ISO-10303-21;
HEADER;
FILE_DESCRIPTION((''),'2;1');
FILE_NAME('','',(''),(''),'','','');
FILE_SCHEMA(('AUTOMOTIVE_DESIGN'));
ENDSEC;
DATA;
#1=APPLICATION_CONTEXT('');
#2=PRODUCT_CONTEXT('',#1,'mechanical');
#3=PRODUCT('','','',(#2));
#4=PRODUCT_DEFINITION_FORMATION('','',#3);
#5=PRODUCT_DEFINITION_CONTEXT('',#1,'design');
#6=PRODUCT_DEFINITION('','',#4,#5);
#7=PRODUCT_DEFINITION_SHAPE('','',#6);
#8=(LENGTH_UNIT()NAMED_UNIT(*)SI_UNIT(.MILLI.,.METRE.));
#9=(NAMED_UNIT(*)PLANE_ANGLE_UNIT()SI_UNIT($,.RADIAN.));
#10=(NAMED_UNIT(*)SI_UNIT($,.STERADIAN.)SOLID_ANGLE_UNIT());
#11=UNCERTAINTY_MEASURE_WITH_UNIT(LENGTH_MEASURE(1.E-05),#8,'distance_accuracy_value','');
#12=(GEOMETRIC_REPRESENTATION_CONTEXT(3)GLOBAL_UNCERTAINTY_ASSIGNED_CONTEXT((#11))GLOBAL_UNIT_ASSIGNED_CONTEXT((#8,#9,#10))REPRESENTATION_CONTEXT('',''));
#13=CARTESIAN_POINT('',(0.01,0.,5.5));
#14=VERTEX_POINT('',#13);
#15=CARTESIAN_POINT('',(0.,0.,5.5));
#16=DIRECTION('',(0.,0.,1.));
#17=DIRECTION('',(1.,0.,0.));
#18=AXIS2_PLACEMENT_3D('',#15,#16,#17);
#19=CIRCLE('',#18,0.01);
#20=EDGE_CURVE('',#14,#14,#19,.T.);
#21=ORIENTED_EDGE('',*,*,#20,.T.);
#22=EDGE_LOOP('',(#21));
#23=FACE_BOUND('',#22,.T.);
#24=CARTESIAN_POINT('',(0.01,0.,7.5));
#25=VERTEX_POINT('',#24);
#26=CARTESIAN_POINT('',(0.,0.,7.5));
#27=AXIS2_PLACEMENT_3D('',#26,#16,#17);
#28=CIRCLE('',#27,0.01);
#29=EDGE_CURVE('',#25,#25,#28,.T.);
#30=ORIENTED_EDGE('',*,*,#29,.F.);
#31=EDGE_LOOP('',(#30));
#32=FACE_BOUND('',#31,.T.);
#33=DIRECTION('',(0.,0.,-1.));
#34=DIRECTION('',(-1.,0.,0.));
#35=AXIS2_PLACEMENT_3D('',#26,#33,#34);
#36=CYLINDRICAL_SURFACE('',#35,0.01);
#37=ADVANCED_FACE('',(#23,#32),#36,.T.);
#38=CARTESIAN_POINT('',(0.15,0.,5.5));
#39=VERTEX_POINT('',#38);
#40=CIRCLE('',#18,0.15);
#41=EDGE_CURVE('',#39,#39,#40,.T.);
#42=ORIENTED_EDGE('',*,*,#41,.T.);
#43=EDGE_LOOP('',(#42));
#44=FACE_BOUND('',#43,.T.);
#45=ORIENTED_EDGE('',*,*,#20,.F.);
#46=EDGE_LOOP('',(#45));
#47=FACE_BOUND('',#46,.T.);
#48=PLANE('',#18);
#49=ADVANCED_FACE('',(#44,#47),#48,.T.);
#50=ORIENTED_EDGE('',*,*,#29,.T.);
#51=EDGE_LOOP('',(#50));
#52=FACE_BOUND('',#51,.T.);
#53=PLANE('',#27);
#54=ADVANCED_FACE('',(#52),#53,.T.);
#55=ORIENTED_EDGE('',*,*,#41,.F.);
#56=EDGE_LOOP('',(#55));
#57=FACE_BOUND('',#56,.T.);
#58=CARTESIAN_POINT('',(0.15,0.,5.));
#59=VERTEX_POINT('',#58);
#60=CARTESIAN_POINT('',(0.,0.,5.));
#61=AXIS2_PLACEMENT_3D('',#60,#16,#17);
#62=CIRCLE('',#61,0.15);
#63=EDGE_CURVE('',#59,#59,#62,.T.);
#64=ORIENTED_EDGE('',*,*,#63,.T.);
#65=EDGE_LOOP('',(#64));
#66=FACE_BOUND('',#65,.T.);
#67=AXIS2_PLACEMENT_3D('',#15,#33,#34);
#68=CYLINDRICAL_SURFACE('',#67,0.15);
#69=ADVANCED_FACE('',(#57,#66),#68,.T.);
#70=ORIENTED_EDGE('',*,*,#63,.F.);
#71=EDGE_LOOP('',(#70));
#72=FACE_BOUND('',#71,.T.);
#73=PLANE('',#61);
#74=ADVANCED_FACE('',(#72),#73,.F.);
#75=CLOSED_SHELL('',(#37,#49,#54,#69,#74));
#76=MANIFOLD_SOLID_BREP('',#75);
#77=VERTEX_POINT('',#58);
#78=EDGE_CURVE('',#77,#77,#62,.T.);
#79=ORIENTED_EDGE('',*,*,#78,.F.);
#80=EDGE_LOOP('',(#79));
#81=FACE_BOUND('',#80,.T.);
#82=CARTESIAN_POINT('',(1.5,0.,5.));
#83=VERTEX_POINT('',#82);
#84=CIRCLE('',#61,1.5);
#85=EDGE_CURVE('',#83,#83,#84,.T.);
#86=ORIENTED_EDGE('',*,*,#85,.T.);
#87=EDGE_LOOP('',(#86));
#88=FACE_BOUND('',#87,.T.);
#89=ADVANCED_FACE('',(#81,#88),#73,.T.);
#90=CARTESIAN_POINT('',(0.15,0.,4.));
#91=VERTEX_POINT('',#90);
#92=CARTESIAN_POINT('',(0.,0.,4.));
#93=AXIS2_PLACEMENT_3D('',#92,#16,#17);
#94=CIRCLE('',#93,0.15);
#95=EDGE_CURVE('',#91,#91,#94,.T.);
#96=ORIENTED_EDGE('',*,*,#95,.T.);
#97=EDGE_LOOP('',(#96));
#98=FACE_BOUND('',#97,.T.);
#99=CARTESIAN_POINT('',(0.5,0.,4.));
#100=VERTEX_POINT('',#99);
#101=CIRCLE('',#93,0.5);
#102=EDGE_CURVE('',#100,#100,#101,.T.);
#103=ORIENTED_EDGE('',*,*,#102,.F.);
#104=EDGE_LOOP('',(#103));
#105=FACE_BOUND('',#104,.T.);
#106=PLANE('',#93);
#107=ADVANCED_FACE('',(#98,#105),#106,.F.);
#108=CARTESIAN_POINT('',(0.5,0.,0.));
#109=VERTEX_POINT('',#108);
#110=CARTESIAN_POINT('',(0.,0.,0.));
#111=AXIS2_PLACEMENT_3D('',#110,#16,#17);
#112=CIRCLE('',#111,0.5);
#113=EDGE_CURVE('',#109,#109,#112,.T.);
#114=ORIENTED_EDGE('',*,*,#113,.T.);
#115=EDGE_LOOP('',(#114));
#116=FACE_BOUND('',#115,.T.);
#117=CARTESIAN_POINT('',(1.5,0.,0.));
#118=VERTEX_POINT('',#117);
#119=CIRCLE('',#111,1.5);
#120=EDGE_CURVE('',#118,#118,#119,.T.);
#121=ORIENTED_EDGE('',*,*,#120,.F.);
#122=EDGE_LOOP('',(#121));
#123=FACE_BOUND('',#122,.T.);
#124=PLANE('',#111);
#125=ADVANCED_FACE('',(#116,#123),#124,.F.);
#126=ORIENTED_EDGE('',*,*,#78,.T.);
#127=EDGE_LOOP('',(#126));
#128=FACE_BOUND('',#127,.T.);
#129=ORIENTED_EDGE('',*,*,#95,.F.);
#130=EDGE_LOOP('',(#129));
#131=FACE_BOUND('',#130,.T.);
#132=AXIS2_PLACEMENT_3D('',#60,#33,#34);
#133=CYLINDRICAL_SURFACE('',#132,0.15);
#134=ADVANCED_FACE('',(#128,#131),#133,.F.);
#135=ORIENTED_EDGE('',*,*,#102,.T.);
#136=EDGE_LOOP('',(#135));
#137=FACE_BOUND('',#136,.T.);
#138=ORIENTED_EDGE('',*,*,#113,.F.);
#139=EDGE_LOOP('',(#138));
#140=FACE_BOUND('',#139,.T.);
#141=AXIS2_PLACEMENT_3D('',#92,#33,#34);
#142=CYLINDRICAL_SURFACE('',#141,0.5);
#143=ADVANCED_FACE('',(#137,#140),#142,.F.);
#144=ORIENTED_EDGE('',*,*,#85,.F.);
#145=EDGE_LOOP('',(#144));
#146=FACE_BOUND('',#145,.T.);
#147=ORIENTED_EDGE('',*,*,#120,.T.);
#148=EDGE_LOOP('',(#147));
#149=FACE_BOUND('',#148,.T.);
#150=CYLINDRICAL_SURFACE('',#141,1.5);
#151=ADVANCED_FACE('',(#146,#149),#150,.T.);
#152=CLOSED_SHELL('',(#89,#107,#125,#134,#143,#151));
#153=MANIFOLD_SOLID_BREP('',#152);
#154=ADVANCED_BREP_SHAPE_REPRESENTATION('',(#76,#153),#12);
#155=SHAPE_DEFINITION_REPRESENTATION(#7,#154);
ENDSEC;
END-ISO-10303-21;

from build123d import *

# Parameters (mm, degrees)
SKETCH1_R           = 1.5
SKETCH1_R_2         = 0.5
BOSS_EXTRUDE1_DEPTH = 4
SKETCH2_R           = 1.5
SKETCH2_R_2         = 0.15
BOSS_EXTRUDE2_DEPTH = 1
SKETCH3_R           = 0.15
BOSS_EXTRUDE3_DEPTH = 0.5
SKETCH4_R           = 0.01
BOSS_EXTRUDE5_DEPTH = 2


with BuildPart() as part:
    # Sketch1 → Boss-Extrude1 (new body)
    with BuildSketch(Plane.XY):
        Circle(SKETCH1_R)
        Circle(SKETCH1_R_2, mode=Mode.SUBTRACT)
    extrude(amount=BOSS_EXTRUDE1_DEPTH)

    # Sketch2 → Boss-Extrude2 (add)
    with BuildSketch(Plane.XY.offset(4)):
        Circle(SKETCH2_R)
        Circle(SKETCH2_R_2, mode=Mode.SUBTRACT)
    extrude(amount=BOSS_EXTRUDE2_DEPTH)


with BuildPart() as body_2:
    # Sketch3 → Boss-Extrude3 (new body)
    with BuildSketch(Plane.XY.offset(5)):
        Circle(SKETCH3_R)
    extrude(amount=BOSS_EXTRUDE3_DEPTH)

    # Sketch4 → Boss-Extrude5 (add)
    with BuildSketch(Plane.XY.offset(5.5)):
        Circle(SKETCH4_R)
    extrude(amount=BOSS_EXTRUDE5_DEPTH)


solid = Compound([part.part, body_2.part])
